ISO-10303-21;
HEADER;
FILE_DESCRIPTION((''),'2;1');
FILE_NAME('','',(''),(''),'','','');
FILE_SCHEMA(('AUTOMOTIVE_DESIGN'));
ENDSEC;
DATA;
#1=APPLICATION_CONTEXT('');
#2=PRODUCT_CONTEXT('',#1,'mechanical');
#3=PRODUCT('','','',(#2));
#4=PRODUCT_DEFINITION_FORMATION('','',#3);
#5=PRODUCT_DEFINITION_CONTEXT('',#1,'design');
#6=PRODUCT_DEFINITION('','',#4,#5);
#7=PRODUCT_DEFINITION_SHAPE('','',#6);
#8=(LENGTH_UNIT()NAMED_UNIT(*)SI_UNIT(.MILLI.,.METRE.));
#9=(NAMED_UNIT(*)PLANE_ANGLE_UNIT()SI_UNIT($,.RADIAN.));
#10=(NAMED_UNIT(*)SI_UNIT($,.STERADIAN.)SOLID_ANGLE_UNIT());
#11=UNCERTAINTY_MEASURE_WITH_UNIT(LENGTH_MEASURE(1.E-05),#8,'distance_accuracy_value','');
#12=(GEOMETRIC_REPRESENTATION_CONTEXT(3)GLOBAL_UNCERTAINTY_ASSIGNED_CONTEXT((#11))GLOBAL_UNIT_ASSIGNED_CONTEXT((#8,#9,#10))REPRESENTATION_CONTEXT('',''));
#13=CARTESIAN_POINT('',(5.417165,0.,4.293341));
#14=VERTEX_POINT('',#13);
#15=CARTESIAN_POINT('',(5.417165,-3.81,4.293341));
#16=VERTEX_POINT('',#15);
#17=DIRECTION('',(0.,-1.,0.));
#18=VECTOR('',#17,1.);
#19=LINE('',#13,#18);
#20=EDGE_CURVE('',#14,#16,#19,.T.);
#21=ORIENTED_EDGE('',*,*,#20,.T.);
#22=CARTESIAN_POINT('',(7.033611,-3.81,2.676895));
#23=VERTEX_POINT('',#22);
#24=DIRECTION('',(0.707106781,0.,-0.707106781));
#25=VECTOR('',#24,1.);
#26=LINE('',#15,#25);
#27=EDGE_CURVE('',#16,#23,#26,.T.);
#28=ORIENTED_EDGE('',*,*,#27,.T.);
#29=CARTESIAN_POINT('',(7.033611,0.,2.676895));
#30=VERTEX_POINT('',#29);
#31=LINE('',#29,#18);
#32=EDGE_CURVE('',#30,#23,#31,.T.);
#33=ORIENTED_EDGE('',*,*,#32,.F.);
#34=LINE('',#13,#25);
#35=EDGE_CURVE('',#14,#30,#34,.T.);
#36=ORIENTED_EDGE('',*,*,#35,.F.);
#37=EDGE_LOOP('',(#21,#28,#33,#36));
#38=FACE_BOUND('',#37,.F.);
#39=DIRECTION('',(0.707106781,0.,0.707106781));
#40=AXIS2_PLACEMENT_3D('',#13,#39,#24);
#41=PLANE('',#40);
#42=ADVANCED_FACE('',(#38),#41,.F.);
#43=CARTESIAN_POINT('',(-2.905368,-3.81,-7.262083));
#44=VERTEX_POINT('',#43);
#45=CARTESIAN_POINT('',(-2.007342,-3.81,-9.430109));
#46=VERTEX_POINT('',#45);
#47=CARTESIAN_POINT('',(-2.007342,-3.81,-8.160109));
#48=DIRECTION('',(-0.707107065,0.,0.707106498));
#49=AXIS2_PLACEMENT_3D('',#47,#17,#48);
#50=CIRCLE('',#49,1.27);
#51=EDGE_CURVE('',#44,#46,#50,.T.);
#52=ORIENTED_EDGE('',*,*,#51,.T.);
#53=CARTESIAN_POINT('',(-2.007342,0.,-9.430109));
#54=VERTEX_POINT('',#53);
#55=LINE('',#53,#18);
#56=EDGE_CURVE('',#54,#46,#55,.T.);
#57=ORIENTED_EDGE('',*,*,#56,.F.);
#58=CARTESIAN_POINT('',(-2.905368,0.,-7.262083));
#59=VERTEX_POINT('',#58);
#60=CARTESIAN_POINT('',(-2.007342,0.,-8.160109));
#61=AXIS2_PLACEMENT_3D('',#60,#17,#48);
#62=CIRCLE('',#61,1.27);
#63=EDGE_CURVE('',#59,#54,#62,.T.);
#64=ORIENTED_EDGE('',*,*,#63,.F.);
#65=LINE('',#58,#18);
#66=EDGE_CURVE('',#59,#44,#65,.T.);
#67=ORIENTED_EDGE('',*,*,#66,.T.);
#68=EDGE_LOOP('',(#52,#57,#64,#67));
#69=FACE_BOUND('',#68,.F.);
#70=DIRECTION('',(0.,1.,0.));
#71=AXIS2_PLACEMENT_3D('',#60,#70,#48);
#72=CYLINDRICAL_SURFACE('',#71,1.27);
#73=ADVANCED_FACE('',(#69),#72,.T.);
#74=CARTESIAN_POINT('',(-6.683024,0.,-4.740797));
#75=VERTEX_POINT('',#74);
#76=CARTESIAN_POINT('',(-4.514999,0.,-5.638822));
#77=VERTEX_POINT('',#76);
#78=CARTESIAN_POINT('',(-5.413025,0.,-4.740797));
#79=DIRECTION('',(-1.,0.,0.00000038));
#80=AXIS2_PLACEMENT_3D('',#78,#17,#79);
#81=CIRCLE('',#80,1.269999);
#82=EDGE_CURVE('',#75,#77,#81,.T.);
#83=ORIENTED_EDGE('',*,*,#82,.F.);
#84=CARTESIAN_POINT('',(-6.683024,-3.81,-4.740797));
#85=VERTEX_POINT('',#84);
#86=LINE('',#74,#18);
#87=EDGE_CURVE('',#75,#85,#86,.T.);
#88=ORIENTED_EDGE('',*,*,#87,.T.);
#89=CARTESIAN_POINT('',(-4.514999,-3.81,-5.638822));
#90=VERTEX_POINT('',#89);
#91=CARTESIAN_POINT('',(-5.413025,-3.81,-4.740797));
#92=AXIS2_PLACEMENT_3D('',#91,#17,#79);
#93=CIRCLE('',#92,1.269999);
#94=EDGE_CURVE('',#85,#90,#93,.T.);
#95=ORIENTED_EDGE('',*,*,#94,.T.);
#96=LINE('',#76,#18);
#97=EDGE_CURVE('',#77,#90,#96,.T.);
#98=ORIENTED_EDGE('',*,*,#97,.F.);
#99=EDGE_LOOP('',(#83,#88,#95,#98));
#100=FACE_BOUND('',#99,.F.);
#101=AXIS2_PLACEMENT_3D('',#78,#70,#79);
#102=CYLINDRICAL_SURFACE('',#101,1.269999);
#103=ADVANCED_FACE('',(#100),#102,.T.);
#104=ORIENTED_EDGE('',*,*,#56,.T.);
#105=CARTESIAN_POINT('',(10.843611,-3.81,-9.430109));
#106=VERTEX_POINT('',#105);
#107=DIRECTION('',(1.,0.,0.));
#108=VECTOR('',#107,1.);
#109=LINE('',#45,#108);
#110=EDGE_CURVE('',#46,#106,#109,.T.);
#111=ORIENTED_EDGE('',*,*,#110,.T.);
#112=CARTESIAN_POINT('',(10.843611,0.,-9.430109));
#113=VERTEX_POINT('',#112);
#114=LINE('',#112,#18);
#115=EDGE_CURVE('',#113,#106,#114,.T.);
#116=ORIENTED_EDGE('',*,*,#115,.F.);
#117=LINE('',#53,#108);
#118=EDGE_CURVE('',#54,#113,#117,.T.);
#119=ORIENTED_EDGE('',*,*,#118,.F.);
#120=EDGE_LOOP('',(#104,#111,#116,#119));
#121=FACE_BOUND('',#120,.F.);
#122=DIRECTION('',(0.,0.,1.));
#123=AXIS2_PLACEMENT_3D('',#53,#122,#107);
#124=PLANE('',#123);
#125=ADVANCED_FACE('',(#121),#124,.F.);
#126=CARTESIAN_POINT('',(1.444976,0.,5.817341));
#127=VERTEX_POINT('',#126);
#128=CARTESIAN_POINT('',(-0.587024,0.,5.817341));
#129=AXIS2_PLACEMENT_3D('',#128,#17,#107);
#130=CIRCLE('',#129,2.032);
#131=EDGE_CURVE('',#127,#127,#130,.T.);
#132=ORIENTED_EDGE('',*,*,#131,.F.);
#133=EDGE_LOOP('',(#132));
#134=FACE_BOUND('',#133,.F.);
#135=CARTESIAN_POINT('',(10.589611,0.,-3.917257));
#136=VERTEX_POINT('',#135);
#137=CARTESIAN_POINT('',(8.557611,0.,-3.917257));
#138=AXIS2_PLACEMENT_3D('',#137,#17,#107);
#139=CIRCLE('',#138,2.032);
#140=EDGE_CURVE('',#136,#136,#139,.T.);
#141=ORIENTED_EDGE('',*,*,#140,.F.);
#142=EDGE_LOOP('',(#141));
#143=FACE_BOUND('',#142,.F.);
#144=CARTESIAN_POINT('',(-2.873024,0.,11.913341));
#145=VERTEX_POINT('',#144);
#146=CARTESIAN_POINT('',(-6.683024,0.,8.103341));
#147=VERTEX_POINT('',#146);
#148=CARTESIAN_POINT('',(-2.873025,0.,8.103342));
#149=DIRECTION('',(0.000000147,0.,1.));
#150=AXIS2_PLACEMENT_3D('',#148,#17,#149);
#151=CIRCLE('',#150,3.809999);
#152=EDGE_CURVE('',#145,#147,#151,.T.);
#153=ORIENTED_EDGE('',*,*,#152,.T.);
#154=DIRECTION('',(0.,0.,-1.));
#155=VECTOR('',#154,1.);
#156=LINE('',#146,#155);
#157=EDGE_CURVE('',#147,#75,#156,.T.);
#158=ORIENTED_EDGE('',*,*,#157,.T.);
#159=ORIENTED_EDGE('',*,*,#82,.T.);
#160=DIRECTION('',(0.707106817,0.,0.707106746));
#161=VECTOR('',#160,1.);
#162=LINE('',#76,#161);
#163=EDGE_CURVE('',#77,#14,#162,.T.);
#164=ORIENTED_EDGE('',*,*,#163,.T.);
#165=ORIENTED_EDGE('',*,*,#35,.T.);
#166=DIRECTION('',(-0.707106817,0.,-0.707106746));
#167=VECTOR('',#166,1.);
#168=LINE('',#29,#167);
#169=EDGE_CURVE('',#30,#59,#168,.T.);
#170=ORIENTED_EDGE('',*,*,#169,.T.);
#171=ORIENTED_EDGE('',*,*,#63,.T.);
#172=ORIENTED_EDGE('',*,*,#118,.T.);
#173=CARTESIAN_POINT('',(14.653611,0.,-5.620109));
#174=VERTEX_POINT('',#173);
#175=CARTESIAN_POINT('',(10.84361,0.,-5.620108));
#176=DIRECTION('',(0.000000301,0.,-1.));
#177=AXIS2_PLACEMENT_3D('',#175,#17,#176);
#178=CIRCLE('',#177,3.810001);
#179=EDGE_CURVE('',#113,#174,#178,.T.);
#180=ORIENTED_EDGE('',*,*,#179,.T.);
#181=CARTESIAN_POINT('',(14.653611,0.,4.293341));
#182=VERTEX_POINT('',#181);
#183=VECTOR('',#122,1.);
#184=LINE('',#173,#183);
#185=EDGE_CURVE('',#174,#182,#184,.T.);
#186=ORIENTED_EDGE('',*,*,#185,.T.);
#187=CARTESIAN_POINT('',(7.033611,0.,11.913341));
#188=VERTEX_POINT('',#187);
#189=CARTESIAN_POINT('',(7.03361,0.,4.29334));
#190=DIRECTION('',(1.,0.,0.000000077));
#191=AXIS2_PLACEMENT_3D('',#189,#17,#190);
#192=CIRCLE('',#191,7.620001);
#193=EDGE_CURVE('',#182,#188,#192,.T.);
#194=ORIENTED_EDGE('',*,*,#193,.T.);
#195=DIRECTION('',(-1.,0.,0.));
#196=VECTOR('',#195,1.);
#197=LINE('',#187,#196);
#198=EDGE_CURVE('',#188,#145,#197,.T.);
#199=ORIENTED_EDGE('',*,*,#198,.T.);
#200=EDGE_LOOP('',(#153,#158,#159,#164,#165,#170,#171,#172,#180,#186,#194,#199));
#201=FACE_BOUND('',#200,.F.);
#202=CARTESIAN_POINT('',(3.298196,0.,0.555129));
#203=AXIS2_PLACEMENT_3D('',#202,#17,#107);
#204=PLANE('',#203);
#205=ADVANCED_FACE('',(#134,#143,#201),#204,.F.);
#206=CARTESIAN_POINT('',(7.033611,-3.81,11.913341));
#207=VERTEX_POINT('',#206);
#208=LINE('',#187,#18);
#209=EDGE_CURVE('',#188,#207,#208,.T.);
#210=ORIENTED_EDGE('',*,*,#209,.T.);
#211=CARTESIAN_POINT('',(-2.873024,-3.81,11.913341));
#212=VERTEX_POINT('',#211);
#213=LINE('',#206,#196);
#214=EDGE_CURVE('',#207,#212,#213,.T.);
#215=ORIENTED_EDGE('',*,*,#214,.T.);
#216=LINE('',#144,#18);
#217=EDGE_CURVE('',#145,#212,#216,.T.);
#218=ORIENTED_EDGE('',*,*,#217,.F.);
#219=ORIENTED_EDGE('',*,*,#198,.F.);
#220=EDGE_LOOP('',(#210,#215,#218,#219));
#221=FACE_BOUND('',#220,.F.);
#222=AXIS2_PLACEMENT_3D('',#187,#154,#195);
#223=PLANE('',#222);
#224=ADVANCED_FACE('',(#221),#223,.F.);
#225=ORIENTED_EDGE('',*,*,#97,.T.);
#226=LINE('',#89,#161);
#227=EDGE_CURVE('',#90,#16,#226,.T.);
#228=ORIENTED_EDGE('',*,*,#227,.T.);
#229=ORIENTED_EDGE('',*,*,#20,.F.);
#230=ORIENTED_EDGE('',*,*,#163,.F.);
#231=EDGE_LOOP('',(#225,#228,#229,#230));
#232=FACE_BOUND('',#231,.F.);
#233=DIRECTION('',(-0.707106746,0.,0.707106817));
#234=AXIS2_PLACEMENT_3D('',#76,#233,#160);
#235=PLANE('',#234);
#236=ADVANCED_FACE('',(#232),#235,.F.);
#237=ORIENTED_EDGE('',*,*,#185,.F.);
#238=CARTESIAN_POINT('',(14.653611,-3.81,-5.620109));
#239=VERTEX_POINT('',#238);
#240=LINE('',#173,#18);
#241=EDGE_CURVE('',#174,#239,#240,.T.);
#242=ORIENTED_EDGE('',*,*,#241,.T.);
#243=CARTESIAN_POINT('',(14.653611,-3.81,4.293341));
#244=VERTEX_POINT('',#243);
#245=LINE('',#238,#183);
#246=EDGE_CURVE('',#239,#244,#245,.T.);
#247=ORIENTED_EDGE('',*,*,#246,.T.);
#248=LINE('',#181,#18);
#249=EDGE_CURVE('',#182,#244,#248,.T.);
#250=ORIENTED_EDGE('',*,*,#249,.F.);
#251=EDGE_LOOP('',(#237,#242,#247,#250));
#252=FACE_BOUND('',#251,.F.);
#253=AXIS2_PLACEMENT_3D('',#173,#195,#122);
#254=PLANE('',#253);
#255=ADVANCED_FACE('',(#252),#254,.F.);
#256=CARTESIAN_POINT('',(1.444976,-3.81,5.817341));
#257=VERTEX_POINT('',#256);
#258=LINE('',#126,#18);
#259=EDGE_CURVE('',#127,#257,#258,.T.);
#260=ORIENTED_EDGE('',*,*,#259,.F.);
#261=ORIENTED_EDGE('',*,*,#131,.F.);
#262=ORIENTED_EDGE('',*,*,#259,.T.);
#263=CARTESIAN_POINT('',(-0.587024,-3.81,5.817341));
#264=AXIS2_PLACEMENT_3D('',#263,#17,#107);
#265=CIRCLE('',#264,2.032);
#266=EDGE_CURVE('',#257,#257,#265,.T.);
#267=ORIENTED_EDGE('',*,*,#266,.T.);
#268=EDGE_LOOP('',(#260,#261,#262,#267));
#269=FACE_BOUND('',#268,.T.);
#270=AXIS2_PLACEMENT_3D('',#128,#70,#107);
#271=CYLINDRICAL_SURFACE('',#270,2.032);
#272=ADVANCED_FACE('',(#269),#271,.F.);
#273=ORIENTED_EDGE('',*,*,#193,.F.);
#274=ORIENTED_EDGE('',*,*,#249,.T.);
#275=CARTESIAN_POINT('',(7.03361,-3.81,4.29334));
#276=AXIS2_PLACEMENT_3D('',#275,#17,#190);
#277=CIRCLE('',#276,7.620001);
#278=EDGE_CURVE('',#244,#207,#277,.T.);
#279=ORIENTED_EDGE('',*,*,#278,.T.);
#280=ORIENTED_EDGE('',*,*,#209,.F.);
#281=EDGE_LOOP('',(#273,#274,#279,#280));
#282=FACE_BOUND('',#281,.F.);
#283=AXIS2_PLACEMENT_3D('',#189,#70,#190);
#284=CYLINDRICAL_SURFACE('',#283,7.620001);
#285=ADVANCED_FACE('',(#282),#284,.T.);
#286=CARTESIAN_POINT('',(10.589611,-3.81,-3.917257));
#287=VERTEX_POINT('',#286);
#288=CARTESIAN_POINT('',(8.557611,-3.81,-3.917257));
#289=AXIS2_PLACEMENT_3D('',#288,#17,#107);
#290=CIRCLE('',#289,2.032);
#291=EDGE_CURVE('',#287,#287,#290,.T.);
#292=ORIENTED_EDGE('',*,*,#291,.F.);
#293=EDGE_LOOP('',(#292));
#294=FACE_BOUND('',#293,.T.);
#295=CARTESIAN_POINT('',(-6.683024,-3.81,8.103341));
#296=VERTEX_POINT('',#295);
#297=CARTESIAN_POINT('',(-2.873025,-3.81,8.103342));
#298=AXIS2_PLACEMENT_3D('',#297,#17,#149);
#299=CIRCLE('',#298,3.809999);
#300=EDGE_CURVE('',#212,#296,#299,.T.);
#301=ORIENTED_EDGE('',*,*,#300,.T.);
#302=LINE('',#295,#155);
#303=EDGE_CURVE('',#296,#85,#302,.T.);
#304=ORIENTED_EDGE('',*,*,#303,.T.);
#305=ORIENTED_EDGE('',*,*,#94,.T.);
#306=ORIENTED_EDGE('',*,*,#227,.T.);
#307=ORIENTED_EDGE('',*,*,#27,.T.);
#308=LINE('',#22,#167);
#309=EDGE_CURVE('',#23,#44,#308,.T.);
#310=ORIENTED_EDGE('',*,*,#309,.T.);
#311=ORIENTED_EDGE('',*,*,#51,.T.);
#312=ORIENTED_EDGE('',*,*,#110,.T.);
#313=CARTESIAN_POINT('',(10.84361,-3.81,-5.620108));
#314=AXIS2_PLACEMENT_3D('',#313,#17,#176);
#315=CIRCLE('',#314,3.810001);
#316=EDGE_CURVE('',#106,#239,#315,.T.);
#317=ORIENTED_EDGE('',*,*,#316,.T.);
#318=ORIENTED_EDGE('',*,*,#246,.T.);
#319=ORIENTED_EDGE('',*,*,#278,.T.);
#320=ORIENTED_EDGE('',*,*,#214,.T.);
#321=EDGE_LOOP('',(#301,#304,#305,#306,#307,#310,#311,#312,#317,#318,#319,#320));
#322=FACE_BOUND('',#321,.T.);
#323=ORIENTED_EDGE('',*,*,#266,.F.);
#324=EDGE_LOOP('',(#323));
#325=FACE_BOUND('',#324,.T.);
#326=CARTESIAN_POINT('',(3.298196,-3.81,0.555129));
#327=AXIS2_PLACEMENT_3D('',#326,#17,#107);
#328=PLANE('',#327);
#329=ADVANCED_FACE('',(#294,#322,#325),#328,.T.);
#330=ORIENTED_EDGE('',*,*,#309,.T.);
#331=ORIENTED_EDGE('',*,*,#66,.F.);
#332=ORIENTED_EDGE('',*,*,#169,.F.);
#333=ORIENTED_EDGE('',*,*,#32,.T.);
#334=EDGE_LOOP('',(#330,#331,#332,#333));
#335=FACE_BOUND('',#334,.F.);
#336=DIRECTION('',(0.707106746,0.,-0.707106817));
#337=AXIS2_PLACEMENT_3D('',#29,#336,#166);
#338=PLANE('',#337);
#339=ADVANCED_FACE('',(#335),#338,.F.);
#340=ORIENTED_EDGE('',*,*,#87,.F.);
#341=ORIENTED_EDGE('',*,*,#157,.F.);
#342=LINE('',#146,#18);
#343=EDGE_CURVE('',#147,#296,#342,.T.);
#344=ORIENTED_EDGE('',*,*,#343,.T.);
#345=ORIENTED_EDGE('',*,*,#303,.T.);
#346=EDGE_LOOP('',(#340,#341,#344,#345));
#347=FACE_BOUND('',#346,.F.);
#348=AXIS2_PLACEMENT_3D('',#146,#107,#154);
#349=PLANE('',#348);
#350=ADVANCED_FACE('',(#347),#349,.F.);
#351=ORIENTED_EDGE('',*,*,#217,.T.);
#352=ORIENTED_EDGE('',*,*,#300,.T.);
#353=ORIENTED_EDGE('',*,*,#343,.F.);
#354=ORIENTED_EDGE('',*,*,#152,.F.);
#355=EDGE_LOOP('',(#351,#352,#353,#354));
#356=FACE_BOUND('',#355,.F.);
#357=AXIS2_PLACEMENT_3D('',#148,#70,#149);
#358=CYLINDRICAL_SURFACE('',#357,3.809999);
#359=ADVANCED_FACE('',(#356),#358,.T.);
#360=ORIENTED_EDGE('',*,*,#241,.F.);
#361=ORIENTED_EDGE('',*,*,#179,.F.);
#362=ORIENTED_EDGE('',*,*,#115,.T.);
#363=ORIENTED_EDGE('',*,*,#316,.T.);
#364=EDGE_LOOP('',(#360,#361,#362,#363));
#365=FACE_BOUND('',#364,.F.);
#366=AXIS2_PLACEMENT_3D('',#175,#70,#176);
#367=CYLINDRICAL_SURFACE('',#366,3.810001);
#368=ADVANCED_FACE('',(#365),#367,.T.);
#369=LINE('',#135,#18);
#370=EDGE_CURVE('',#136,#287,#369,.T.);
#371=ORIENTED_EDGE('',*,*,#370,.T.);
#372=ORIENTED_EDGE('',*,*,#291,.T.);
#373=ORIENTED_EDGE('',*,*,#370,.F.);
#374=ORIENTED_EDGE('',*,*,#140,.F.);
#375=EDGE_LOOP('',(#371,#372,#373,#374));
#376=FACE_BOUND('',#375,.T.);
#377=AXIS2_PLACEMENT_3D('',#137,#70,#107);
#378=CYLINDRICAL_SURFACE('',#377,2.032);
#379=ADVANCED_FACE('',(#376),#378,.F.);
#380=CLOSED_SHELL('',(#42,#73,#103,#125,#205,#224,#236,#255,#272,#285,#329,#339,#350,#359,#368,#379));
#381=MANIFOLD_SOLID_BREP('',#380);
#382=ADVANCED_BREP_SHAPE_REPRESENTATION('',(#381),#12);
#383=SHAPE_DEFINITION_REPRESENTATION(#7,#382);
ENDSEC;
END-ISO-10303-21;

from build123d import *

# Parameters (mm, degrees)
F1_R     = 2.032
F2_DEPTH = 3.81


with BuildPart() as f2:
    # F1 (on Front) → F2 (new body)
    with BuildSketch(Plane.XZ):
        with BuildLine():
            ThreePointArc((-6.683024, -4.740797), (-5.899032, -5.914124), (-4.514999, -5.638822))
            Line((-4.514999, -5.638822), (5.417165, 4.293341))
            Line((5.417165, 4.293341), (7.033611, 2.676895))
            Line((7.033611, 2.676895), (-2.905368, -7.262083))
            ThreePointArc((-2.905368, -7.262083), (-3.180669, -8.646117), (-2.007342, -9.430109))
            Line((-2.007342, -9.430109), (10.843611, -9.430109))
            ThreePointArc((10.843611, -9.430109), (13.537687, -8.314186), (14.653611, -5.620109))
            Line((14.653611, -5.620109), (14.653611, 4.293341))
            ThreePointArc((14.653611, 4.293341), (12.421764, 9.681495), (7.033611, 11.913341))
            Line((7.033611, 11.913341), (-2.873024, 11.913341))
            ThreePointArc((-2.873024, 11.913341), (-5.567101, 10.797418), (-6.683024, 8.103341))
            Line((-6.683024, 8.103341), (-6.683024, -4.740797))
        make_face()
        with Locations((8.557611, -3.917257)):
            Circle(F1_R, mode=Mode.SUBTRACT)
        with Locations((-0.587024, 5.817341)):
            Circle(F1_R, mode=Mode.SUBTRACT)
    extrude(amount=F2_DEPTH)


solid = f2.part
